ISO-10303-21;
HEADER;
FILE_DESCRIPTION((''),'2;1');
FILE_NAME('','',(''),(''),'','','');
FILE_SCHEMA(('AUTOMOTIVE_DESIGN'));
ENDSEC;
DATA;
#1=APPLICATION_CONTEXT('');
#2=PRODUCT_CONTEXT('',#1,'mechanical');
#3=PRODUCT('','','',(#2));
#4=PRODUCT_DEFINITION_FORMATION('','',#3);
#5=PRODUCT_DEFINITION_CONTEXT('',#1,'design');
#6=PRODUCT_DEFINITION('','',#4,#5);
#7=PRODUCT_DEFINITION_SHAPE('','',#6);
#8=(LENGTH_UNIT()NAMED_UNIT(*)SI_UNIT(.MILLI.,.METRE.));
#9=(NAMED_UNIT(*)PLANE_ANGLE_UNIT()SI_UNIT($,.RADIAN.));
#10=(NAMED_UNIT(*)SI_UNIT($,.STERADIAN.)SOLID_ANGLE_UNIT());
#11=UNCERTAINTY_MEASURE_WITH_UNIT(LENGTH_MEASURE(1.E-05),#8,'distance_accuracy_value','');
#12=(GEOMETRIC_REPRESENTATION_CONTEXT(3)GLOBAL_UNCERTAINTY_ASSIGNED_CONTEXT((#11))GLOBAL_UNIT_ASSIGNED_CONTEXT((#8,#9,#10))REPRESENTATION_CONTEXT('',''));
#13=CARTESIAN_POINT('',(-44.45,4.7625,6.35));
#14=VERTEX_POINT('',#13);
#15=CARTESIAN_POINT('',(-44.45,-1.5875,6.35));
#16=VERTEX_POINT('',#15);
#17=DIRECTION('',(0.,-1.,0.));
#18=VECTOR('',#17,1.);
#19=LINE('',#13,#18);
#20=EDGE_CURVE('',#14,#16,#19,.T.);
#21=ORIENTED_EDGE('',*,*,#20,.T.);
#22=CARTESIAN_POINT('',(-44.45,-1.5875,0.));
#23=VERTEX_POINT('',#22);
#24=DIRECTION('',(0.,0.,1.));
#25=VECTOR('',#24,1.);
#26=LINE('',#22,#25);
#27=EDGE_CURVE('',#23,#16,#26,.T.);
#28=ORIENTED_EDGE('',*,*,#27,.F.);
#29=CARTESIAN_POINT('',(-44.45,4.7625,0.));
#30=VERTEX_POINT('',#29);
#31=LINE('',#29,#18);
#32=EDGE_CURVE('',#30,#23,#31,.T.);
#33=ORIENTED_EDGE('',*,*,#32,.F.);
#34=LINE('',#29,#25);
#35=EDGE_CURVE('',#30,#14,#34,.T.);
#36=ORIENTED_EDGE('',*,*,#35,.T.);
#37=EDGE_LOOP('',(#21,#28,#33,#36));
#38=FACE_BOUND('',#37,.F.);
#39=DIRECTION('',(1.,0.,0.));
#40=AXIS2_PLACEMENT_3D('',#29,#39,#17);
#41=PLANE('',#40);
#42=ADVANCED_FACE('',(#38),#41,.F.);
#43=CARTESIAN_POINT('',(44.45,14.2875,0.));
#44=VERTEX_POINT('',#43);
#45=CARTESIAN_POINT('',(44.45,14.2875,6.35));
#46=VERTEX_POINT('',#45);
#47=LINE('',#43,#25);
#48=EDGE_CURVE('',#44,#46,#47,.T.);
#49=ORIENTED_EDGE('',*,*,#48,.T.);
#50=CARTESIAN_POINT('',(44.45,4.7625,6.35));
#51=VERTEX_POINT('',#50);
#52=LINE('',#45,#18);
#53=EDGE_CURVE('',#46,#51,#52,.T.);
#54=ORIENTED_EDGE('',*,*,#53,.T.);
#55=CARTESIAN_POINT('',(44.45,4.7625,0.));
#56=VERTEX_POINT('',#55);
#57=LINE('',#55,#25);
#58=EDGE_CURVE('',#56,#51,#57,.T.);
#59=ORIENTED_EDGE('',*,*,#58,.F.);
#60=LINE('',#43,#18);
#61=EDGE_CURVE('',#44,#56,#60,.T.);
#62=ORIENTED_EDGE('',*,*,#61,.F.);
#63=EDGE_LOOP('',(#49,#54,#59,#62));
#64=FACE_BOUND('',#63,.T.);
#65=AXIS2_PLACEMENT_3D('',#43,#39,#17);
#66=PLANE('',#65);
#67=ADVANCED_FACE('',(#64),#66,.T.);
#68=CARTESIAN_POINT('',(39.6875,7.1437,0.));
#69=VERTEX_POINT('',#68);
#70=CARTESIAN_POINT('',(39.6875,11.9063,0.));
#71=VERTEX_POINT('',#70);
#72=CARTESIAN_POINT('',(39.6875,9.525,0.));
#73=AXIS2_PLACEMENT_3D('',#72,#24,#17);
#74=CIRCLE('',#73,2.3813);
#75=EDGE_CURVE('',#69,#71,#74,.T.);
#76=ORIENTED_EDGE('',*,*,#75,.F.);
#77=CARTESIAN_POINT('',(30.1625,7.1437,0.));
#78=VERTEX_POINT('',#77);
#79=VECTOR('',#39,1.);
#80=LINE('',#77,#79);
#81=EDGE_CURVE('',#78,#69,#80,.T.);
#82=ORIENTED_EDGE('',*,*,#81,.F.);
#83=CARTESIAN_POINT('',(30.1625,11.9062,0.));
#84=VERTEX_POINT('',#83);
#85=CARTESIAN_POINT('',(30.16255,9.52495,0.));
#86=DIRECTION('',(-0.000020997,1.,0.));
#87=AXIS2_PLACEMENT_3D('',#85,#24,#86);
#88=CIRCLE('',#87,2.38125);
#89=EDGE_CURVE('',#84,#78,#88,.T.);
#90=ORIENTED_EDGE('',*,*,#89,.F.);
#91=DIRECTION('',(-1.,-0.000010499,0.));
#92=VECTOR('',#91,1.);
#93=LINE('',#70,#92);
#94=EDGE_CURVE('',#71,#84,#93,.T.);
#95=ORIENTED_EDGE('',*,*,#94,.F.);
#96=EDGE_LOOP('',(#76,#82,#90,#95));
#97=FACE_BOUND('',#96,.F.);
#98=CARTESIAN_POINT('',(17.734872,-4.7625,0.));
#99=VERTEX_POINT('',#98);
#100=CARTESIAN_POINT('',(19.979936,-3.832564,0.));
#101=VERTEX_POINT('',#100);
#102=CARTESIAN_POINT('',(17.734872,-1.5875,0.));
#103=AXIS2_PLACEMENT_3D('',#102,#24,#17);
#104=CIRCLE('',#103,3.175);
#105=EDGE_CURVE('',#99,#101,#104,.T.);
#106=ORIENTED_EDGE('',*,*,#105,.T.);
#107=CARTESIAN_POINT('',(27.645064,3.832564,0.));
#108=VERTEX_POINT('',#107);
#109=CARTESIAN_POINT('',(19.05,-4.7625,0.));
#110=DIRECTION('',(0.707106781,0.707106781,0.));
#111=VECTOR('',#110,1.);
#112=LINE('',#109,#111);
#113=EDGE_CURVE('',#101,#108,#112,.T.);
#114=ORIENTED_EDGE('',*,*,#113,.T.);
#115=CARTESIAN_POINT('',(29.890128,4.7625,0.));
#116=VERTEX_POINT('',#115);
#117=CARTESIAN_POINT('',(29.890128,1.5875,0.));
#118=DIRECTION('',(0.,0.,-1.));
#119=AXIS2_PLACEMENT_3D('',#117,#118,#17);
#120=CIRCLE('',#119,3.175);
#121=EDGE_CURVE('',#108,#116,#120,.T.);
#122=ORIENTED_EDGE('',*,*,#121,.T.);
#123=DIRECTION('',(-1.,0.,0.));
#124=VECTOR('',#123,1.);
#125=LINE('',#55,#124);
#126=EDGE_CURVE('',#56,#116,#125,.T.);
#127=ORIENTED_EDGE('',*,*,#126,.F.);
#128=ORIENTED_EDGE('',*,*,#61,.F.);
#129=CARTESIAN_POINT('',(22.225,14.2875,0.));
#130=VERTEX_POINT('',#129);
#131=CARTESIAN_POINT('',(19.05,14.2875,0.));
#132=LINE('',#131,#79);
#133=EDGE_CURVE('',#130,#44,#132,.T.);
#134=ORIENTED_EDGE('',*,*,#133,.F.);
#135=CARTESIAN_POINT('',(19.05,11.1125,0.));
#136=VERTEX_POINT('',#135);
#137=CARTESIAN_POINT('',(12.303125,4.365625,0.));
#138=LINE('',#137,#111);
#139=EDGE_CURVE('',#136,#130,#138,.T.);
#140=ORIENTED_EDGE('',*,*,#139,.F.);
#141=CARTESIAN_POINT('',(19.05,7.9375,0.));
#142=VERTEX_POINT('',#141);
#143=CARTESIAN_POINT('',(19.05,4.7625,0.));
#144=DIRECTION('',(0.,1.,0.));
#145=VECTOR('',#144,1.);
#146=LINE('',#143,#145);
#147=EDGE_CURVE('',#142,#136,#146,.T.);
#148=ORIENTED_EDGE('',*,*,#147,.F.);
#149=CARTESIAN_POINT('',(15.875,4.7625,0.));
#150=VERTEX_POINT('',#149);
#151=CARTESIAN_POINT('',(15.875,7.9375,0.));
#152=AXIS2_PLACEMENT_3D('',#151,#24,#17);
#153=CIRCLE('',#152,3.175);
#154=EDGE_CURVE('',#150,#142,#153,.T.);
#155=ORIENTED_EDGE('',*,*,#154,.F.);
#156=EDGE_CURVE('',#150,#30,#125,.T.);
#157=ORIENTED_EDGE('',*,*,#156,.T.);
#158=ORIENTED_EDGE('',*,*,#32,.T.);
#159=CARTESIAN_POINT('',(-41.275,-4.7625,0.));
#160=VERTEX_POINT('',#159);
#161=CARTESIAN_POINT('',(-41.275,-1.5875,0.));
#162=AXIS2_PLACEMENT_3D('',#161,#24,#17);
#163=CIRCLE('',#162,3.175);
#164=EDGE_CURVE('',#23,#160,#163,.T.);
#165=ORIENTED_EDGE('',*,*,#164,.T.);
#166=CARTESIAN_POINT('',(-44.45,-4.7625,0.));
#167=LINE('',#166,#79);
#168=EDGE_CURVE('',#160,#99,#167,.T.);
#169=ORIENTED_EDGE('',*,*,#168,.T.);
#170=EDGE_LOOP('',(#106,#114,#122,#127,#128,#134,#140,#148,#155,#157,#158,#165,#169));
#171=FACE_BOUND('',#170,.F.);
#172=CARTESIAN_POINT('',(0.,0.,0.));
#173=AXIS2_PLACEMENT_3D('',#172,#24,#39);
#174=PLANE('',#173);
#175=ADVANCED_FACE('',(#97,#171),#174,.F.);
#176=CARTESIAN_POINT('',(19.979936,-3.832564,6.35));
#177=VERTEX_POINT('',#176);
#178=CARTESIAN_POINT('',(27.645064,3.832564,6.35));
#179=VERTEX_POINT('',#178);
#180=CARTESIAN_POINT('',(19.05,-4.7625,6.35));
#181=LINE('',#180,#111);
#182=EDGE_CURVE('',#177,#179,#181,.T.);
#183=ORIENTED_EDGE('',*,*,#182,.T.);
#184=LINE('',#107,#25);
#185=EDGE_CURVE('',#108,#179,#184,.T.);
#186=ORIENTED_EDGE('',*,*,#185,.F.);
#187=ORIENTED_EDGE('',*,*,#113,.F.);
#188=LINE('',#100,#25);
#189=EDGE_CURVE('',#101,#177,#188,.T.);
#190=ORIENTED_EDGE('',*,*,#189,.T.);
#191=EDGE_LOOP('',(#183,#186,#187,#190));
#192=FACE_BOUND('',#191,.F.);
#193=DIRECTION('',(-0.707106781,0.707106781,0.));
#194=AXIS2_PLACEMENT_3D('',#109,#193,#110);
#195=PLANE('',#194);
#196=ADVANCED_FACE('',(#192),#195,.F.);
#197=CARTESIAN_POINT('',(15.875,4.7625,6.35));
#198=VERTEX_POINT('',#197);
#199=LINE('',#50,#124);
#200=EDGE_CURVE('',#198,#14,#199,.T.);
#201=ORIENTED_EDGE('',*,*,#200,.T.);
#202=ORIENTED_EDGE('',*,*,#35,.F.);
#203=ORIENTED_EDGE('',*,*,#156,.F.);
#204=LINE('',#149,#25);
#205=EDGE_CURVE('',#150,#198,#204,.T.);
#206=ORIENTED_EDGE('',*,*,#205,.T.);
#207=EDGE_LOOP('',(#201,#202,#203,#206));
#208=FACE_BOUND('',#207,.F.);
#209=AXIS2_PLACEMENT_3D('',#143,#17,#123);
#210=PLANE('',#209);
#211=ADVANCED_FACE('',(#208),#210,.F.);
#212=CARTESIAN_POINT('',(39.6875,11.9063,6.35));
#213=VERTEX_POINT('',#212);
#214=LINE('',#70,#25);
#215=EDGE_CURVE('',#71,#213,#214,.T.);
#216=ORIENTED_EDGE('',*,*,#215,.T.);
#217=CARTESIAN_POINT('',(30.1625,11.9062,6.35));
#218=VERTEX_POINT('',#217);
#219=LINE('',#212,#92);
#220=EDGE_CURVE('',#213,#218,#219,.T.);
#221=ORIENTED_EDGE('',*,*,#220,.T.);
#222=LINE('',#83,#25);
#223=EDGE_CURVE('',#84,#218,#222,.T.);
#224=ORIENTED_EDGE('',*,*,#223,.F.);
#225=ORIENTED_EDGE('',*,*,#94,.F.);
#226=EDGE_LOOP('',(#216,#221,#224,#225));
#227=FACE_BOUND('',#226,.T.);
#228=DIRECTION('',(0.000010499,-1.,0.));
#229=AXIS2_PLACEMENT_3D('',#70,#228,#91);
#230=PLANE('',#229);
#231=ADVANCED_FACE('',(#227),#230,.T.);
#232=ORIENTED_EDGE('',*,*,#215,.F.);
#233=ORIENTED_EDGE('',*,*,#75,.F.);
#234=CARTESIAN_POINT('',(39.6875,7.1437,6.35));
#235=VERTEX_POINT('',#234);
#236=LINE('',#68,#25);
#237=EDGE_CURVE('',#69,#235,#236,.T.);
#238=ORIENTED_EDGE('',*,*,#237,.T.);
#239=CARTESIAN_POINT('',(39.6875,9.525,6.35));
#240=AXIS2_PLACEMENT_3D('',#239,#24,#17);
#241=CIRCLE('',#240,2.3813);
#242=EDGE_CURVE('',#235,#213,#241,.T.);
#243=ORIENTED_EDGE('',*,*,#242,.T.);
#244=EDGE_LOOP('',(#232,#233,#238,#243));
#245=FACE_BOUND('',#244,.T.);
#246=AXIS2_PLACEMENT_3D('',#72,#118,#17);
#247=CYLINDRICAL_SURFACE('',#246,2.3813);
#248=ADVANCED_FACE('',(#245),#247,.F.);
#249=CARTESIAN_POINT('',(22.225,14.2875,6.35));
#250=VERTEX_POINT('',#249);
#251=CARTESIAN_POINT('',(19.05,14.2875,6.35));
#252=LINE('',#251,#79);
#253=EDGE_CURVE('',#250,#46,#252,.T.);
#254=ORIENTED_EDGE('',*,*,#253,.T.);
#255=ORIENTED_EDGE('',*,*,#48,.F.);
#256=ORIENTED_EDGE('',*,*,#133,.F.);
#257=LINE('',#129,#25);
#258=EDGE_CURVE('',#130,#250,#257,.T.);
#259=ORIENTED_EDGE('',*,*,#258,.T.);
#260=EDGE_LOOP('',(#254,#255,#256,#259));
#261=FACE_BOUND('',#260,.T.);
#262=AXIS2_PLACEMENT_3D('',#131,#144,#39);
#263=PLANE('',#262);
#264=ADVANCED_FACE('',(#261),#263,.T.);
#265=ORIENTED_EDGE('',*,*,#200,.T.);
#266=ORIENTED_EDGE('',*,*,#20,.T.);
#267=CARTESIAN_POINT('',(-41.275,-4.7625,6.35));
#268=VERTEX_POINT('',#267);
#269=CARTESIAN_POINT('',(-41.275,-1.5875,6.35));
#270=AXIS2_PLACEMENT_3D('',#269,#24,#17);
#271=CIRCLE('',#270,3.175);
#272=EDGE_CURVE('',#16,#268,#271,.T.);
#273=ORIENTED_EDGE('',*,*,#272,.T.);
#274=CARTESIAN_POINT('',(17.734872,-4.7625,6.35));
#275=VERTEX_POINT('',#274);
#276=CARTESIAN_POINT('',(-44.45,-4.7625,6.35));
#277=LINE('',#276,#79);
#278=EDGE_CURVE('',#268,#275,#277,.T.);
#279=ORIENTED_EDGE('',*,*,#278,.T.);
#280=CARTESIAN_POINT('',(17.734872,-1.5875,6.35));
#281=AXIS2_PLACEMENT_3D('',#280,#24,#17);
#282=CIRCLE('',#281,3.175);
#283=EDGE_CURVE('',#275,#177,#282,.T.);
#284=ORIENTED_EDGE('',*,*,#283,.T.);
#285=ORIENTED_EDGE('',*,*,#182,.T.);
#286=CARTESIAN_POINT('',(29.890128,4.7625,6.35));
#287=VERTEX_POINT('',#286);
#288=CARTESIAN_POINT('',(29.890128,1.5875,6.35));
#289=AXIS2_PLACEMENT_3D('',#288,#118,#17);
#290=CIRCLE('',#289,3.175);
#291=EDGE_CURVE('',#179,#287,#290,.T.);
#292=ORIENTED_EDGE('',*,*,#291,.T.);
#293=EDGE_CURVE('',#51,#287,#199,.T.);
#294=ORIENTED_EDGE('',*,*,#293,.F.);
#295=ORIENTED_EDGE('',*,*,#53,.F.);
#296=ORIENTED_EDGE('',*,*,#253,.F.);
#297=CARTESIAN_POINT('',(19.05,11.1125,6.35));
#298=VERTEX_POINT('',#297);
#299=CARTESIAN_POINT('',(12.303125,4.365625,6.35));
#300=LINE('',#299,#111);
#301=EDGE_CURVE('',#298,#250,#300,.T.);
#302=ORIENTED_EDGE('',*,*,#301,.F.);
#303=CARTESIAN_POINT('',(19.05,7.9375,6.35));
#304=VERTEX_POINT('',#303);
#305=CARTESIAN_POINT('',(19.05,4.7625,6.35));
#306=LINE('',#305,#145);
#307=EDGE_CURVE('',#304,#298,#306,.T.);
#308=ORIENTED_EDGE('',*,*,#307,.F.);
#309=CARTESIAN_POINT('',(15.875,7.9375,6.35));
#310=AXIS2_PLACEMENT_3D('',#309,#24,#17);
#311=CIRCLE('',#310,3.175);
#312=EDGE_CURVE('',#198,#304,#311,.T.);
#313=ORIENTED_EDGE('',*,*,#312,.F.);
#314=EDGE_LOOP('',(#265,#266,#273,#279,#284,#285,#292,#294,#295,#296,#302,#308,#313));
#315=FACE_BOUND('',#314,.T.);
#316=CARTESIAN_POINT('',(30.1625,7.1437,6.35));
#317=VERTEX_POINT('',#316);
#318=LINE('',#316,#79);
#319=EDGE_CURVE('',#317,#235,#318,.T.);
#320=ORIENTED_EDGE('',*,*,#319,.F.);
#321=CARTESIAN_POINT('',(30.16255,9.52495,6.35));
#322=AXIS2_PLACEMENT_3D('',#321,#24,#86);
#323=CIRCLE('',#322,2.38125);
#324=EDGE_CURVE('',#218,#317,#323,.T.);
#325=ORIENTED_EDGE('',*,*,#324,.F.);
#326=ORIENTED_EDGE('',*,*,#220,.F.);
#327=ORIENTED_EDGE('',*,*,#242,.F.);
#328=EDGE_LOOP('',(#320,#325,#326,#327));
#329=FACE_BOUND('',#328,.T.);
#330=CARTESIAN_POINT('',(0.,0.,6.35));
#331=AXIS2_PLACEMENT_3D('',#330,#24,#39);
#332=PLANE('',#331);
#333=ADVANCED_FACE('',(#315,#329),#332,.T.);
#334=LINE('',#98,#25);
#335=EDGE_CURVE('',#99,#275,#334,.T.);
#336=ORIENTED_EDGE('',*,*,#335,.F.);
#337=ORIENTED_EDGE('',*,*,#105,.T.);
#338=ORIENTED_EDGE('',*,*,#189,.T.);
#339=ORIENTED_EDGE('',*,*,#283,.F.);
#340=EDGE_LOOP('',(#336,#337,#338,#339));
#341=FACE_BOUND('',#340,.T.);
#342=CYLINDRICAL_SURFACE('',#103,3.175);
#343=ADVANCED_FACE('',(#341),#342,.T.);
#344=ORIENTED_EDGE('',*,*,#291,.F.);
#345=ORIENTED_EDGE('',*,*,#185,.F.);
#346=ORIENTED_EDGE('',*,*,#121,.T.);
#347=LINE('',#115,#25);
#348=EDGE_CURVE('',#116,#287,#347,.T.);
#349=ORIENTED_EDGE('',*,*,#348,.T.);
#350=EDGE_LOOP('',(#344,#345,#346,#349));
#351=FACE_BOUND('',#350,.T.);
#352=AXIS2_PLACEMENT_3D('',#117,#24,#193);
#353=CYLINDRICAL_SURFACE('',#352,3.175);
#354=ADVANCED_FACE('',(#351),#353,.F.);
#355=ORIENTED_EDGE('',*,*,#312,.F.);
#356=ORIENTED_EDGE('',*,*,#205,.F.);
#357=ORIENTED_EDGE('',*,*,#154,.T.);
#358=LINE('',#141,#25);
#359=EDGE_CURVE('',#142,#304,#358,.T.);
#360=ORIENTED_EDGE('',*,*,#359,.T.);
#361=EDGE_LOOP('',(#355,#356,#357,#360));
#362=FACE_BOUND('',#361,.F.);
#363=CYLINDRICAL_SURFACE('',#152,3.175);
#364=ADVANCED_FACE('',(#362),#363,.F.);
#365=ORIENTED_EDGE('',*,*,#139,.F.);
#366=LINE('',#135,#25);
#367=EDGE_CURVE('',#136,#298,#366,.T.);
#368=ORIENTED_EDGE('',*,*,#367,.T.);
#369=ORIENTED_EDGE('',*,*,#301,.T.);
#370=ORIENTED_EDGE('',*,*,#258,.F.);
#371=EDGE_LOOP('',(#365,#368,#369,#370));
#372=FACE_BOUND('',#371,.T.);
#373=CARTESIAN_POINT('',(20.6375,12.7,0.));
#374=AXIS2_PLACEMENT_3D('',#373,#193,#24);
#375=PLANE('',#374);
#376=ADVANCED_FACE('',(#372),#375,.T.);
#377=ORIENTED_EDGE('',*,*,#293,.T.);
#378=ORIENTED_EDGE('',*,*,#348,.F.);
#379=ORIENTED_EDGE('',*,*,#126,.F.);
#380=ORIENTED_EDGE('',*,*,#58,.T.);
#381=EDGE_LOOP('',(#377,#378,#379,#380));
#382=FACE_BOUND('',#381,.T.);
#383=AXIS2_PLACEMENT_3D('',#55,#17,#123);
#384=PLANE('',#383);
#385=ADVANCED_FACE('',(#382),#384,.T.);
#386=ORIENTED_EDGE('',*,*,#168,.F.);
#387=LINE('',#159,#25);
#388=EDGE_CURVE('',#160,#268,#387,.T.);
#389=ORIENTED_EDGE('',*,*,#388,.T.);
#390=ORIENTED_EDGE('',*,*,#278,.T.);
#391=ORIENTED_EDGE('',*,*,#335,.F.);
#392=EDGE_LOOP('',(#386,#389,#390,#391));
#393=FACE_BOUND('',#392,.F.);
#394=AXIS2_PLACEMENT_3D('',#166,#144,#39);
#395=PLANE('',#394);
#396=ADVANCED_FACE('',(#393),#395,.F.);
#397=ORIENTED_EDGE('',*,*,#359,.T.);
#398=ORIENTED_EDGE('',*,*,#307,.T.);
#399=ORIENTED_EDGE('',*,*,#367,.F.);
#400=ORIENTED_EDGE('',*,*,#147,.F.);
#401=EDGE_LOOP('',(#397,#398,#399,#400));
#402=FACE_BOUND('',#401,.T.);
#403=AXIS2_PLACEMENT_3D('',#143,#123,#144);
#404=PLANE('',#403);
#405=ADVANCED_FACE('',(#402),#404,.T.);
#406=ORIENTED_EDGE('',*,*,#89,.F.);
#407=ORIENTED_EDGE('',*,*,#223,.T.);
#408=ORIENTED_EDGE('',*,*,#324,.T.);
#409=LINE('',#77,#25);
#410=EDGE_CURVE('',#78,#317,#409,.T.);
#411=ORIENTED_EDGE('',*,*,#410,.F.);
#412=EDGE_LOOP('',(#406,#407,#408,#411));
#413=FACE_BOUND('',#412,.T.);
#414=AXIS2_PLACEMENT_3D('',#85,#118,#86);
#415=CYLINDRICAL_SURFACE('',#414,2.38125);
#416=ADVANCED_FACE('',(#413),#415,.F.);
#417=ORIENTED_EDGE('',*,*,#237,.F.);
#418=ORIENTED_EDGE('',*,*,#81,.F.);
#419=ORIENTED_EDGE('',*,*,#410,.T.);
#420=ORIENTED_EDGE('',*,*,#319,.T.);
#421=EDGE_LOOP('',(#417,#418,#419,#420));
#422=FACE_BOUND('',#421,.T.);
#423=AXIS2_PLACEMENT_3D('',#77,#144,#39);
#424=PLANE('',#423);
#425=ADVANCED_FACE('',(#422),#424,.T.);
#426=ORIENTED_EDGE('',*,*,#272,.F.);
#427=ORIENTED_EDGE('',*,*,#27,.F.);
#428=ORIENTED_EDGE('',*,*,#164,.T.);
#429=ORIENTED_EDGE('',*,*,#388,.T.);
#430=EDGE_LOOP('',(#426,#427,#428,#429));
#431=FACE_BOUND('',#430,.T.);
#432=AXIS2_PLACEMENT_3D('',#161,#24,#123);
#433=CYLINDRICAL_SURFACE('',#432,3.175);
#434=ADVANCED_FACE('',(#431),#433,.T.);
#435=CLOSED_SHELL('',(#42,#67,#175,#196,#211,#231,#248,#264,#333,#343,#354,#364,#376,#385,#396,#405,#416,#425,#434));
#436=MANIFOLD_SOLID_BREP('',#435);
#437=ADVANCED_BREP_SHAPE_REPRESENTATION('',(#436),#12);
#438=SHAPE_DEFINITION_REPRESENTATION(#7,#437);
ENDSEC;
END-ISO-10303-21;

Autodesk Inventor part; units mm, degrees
ref_plane "YZ Plane" through (0, 0, 0) normal (1, 0, 0) x (0, 1, 0)
ref_plane "XZ Plane" through (0, 0, 0) normal (0, 1, 0) x (-1, 0, 0)
ref_plane "XY Plane" through (0, 0, 0) normal (0, 0, 1) x (1, 0, 0)
sketch "Sketch1" plane through (0, 0, 0) normal (0, 0, 1) x (1, 0, 0)
  line L0 (-44.45, -4.7625) -> (44.45, -4.7625)
  line L1 (44.45, -4.7625) -> (44.45, 4.7625)
  line L2 (44.45, 4.7625) -> (-44.45, 4.7625)
  line L3 (-44.45, 4.7625) -> (-44.45, -4.7625)
  line L4 (-44.45, -4.7625) -> (44.45, 4.7625) construction
  line L5 (44.45, -4.7625) -> (-44.45, 4.7625) construction
  line L6 (44.45, 4.7625) -> (19.05, 4.7625)
  line L7 (19.05, 4.7625) -> (19.05, 14.2875)
  line L8 (19.05, 14.2875) -> (44.45, 14.2875)
  line L9 (44.45, 14.2875) -> (44.45, 4.7625)
  line L10 (19.05, -4.7625) -> (28.575, 4.7625)
  line L11 (44.45, 9.525) -> (19.05, 9.525) construction
  line L12 (25.4, 14.2875) -> (25.4, 4.7625) construction
  circle A0 centre (39.6875, 9.525) radius 1.7526 construction
  circle A1 centre (30.1625, 9.525) radius 1.7526 construction
  line L13 (39.6875, 9.525) -> (30.1625, 9.525) construction
  line L14 (39.6875, 11.9063) -> (30.1625, 11.9062)
  line L15 (30.1625, 7.1437) -> (39.6875, 7.1437)
  arc A2 (39.6875, 7.1437) -> (39.6875, 11.9063) centre (39.6875, 9.525) ccw
  arc A3 (30.1625, 11.9062) -> (30.1625, 7.1437) centre (30.1625, 9.525) ccw
  point P0 (0, 0)
  point P1 (19.05, 4.7625)
  point P2 (34.925, 9.525)
  dimension "d0" = 88.9
  dimension "d1" = 9.525
  dimension "d2" = 25.4
  dimension "d3" = 9.525
  dimension "d4" = 45
  dimension "d11" = 25.4
  dimension "d18" = 19.05
  dimension "d19" = 3.5052
  dimension "d20" = 4.7625
  dimension "d21" = 3.5052
  dimension "d22" = 4.7625
  dimension "d23" = 4.7625
extrude "Extrusion1" add sketch "Sketch1" along normal blind 6.35 contours L3 L2 L10 L0 | L2 L7 L8 L9
fillet "Fillet1" radius 3.175 3 edges at (19.05, 4.7625, 3.175) (28.575, 4.7625, 3.175) (19.05, -4.7625, 3.175)
chamfer "Chamfer2" distance 3.175 angle 45 1 edges at (19.05, 14.2875, 3.175)
fillet "Fillet4" radius 3.175 1 edges at (-44.45, -4.7625, 3.175)
equation "\"d22\" = d20"
properties part number "Teeth" material "Aluminum 6061"
